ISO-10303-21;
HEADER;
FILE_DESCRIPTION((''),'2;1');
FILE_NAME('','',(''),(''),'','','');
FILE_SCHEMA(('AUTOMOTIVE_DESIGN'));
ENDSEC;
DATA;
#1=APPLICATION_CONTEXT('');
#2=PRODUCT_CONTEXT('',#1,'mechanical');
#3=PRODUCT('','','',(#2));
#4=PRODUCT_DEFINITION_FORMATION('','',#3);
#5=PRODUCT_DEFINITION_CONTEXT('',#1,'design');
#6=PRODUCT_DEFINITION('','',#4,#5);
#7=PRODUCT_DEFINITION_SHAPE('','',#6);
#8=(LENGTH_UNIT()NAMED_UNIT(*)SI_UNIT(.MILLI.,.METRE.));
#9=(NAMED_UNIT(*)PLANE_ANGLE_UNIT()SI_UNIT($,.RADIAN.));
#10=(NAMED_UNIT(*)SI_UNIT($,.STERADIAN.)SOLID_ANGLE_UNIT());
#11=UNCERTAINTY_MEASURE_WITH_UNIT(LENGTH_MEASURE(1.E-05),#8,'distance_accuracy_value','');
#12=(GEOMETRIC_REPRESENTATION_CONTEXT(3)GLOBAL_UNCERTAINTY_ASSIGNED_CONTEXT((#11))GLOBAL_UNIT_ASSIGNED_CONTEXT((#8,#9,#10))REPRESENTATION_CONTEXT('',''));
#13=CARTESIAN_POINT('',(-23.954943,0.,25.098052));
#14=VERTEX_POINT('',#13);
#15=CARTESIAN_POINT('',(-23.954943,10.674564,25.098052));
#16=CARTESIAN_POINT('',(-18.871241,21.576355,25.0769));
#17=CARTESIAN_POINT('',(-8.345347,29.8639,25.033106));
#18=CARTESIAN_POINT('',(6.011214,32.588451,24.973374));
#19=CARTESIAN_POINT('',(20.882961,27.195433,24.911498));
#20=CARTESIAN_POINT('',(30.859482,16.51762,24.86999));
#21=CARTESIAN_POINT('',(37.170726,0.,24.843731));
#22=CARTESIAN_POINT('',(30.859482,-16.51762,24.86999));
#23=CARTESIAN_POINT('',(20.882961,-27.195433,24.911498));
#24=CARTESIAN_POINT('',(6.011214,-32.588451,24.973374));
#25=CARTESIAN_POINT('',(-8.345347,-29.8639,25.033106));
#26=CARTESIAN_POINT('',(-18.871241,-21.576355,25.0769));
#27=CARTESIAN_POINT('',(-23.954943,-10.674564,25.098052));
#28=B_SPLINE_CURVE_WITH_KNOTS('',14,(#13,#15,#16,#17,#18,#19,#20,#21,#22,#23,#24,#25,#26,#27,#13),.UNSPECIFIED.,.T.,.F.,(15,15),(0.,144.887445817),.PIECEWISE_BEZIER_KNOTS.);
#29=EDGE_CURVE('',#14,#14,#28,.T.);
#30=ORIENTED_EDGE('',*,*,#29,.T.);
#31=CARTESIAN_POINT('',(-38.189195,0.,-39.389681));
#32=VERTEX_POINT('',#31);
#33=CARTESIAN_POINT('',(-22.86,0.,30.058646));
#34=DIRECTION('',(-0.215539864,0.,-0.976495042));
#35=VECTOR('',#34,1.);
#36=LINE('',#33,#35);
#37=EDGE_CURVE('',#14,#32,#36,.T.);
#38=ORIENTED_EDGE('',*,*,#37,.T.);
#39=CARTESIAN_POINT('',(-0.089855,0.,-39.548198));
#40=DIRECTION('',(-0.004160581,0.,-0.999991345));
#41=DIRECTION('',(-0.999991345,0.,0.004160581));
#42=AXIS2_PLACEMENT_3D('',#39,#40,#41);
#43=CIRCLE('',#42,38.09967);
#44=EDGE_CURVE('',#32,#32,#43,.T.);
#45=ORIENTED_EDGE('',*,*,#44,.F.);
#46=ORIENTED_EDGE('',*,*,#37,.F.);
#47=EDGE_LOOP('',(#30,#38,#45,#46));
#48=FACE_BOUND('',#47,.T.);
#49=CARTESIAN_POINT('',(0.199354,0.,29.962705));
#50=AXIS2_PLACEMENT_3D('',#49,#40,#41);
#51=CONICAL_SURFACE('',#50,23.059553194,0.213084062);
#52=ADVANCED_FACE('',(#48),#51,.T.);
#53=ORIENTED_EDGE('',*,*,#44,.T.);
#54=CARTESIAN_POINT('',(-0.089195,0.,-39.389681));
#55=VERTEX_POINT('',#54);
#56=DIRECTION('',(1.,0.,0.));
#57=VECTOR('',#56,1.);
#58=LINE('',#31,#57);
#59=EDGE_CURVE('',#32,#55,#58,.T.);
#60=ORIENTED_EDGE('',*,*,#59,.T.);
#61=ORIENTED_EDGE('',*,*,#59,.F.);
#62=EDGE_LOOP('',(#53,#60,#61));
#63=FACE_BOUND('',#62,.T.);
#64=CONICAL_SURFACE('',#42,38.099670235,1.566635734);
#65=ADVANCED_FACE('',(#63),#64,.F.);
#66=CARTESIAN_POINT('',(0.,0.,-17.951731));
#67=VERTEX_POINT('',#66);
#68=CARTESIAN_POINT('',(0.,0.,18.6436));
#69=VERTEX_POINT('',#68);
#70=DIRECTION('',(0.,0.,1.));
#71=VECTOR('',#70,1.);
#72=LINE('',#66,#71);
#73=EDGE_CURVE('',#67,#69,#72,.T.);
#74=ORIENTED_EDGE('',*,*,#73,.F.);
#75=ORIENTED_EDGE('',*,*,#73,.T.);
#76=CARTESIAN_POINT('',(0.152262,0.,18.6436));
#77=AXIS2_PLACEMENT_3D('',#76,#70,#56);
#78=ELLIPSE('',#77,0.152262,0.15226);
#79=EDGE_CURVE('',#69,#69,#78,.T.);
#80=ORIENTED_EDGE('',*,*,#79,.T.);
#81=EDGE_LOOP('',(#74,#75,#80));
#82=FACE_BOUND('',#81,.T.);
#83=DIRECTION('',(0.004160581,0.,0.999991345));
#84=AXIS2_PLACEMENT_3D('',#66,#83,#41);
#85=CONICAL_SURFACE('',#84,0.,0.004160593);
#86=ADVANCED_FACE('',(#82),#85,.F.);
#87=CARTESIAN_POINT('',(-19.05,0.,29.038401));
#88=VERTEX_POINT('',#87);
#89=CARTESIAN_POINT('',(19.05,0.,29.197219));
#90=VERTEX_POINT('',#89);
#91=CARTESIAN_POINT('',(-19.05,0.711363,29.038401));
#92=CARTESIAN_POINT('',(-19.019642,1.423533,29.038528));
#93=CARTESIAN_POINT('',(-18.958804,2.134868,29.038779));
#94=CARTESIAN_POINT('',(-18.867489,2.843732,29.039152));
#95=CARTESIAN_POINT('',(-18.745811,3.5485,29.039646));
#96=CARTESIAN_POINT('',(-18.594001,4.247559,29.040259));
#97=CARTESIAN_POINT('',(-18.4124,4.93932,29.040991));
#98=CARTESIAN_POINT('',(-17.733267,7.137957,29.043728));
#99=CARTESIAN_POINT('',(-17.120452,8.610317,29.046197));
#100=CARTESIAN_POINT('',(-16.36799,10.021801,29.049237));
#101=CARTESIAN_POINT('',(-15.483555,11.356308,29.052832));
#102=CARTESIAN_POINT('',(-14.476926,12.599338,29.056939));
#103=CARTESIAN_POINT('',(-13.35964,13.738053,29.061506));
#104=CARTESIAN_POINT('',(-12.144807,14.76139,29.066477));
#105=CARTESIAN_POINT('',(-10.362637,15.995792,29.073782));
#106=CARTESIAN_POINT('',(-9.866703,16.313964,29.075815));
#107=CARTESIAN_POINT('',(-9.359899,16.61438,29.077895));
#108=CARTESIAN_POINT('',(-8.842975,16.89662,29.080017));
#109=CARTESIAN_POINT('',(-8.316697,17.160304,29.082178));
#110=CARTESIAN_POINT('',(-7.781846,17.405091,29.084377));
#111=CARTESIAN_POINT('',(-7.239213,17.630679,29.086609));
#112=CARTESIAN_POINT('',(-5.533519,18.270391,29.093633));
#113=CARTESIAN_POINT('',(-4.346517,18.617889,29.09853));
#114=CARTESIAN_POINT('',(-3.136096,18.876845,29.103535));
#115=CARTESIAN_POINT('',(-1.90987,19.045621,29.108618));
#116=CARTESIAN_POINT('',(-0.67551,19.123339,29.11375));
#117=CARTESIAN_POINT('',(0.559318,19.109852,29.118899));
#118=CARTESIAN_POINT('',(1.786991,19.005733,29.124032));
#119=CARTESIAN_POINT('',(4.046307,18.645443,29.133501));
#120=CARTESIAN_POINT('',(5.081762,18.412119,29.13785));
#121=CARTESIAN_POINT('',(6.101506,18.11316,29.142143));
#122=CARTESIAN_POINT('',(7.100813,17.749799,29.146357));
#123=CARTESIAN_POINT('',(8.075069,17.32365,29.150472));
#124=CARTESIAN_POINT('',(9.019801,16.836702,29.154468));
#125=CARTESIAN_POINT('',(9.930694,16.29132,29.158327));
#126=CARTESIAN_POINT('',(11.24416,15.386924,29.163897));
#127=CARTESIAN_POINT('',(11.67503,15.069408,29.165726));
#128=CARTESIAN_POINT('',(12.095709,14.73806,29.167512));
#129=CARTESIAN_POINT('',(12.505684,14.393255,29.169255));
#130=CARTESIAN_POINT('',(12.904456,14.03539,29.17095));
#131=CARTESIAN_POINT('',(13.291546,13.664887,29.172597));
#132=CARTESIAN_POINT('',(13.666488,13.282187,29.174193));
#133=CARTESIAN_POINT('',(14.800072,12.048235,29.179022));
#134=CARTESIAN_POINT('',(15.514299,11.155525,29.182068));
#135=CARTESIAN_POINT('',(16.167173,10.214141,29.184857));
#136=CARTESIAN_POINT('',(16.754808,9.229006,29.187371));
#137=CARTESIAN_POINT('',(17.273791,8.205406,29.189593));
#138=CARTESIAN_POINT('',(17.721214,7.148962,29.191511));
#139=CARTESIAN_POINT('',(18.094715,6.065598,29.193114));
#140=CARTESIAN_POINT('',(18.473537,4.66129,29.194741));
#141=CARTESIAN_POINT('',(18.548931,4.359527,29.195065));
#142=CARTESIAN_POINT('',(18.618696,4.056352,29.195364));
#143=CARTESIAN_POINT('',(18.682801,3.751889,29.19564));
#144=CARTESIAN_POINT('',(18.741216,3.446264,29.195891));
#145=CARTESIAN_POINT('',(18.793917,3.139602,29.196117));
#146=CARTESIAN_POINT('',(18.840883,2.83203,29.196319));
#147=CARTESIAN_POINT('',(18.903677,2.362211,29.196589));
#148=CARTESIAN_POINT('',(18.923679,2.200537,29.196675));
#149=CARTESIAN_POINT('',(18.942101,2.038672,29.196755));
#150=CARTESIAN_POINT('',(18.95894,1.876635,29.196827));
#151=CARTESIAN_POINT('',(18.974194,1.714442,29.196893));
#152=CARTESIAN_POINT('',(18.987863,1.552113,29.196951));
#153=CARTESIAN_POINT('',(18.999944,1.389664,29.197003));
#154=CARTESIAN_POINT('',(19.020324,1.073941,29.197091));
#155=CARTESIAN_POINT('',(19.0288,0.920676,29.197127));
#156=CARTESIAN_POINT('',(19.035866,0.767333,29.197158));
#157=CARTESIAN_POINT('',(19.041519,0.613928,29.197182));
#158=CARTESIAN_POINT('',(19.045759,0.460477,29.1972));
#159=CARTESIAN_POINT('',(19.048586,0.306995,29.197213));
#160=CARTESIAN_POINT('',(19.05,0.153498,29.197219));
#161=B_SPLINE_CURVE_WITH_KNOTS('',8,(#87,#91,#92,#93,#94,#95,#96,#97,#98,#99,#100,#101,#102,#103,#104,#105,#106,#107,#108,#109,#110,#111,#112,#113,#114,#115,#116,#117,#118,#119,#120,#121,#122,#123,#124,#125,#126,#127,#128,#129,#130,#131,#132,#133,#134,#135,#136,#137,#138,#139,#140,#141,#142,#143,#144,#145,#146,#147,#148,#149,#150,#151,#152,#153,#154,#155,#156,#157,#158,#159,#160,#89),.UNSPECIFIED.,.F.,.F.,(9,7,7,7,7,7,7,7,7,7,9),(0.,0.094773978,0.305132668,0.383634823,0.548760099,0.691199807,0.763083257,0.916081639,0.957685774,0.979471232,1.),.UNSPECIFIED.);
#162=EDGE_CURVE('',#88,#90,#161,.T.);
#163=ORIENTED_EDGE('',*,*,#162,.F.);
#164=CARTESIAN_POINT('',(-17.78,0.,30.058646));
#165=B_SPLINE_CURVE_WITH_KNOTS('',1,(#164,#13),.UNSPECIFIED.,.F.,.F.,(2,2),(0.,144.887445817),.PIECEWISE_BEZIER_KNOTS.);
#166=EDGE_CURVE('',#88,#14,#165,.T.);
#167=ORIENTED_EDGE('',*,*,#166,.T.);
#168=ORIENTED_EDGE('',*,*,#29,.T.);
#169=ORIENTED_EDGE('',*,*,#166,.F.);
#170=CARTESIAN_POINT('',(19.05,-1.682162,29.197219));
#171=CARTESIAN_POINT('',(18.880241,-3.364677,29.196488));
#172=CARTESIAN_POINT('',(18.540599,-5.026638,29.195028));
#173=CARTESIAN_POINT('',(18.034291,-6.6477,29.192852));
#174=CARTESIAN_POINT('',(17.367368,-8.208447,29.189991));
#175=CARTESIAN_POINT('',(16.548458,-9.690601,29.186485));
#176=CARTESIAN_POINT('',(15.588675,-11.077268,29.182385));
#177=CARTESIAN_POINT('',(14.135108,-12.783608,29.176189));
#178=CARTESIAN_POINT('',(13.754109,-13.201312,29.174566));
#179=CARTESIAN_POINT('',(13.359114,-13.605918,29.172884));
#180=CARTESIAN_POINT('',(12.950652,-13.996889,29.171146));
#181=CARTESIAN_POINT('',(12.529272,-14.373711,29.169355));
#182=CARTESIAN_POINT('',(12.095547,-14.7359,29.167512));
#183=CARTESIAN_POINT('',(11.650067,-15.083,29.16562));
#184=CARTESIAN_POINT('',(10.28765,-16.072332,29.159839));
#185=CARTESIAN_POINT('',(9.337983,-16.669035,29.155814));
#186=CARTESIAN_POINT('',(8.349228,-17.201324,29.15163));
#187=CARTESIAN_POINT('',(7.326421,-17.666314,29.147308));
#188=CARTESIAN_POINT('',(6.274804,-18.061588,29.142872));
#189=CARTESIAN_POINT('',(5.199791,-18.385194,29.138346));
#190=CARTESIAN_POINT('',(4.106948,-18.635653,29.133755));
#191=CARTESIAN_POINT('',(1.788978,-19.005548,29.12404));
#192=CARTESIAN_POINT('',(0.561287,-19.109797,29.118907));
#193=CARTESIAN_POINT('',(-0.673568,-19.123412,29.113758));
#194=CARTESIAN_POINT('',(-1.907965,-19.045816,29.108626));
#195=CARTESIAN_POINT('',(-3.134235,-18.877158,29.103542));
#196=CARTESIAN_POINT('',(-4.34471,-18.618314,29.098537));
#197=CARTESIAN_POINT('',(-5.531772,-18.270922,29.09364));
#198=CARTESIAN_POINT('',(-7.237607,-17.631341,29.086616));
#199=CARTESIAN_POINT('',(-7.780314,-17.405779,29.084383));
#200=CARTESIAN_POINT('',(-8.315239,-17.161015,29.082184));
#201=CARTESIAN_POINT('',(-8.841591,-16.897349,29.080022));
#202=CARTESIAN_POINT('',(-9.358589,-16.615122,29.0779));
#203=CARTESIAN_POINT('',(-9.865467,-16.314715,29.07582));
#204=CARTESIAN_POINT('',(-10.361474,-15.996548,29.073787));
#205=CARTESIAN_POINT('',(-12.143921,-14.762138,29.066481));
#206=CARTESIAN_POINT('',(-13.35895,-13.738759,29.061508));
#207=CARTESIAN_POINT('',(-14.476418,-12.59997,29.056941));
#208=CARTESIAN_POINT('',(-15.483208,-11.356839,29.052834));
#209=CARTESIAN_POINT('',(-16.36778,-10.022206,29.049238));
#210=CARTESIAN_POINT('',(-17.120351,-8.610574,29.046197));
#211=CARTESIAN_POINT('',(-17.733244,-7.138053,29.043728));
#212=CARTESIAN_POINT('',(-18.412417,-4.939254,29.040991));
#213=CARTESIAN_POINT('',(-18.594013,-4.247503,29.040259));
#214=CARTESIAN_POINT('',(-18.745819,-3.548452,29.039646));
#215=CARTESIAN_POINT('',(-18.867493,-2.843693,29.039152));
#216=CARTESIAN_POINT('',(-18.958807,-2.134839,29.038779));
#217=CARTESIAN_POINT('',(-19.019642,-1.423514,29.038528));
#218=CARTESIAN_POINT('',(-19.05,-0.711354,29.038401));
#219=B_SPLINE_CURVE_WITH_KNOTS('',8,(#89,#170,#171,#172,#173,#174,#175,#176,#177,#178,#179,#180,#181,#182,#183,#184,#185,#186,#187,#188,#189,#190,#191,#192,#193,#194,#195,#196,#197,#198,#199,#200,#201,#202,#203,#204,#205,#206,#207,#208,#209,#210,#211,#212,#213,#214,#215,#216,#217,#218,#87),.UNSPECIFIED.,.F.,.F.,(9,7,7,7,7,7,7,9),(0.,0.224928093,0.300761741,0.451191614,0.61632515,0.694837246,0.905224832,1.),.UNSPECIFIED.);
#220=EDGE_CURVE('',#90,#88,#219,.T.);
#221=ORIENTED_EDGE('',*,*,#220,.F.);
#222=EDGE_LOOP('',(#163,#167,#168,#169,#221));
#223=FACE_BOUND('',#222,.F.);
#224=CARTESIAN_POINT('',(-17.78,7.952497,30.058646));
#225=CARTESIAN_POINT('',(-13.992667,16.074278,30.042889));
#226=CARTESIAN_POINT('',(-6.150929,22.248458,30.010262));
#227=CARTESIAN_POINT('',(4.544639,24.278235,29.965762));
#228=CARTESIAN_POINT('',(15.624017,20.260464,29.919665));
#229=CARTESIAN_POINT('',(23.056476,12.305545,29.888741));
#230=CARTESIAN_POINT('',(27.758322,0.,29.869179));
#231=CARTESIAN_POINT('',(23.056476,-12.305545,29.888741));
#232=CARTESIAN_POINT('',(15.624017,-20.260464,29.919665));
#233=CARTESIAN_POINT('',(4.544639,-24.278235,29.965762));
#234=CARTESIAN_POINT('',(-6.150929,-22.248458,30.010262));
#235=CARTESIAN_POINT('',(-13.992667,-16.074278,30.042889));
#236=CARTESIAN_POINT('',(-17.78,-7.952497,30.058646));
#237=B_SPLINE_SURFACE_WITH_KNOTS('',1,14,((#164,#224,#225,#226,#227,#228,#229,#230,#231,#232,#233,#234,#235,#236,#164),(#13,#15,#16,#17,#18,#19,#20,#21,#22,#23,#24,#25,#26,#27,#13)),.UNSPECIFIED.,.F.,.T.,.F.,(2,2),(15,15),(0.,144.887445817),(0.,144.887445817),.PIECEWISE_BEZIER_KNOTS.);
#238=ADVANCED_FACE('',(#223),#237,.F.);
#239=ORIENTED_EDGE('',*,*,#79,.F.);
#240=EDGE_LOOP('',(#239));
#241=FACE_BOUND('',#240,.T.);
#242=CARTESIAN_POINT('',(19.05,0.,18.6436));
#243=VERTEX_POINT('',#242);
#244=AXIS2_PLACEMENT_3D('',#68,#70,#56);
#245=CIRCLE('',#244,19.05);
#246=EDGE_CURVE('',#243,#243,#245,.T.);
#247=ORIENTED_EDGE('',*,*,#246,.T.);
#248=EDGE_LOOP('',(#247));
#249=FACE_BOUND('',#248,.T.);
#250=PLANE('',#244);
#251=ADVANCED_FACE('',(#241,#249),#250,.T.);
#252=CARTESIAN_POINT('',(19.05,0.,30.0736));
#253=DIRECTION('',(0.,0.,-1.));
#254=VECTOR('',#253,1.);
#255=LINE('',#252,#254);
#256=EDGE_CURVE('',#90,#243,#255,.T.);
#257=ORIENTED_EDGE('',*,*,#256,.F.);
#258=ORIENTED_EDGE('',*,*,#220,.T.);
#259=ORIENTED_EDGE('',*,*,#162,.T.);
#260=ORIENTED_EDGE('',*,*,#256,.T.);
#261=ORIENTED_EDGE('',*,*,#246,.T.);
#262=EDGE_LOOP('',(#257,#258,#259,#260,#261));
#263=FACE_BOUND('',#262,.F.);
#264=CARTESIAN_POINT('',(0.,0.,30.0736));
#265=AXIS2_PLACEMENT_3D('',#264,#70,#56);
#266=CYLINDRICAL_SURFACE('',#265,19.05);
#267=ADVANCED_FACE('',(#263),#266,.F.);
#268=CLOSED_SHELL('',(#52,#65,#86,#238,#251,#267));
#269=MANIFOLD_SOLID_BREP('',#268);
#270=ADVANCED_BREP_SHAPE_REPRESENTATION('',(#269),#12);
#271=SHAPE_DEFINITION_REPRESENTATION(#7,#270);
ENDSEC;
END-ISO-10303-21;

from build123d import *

# Parameters (mm, degrees)
F2_SIZE  = 5.08
F4_R     = 19.05
F5_DEPTH = 11.43


with BuildPart() as f1:
    # F0 (on Front) → F1 (revolve)
    with BuildSketch(Plane.XZ):
        Polygon((0, -17.9517306387), (0, 30.058646322), (-22.86, 30.058646322), (-38.1891950965, -39.389681071), (-0.0891950965, -39.389681071), align=None)
    revolve(axis=Axis((-0.0445975482, 0, -28.6707058549), (-0.0041605808, 0, -0.9999913447)))

    # F2
    f2_edges = [f1.edges().sort_by_distance(p)[0] for p in [
        (23.258707, 0, 29.866764),
    ]]
    chamfer(f2_edges, length=F2_SIZE)

    # F4 (on offset) → F5 (cut)
    with BuildSketch(Plane.XY.offset(30.0736)):
        Circle(F4_R)
    extrude(amount=-F5_DEPTH, mode=Mode.SUBTRACT)


solid = f1.part
